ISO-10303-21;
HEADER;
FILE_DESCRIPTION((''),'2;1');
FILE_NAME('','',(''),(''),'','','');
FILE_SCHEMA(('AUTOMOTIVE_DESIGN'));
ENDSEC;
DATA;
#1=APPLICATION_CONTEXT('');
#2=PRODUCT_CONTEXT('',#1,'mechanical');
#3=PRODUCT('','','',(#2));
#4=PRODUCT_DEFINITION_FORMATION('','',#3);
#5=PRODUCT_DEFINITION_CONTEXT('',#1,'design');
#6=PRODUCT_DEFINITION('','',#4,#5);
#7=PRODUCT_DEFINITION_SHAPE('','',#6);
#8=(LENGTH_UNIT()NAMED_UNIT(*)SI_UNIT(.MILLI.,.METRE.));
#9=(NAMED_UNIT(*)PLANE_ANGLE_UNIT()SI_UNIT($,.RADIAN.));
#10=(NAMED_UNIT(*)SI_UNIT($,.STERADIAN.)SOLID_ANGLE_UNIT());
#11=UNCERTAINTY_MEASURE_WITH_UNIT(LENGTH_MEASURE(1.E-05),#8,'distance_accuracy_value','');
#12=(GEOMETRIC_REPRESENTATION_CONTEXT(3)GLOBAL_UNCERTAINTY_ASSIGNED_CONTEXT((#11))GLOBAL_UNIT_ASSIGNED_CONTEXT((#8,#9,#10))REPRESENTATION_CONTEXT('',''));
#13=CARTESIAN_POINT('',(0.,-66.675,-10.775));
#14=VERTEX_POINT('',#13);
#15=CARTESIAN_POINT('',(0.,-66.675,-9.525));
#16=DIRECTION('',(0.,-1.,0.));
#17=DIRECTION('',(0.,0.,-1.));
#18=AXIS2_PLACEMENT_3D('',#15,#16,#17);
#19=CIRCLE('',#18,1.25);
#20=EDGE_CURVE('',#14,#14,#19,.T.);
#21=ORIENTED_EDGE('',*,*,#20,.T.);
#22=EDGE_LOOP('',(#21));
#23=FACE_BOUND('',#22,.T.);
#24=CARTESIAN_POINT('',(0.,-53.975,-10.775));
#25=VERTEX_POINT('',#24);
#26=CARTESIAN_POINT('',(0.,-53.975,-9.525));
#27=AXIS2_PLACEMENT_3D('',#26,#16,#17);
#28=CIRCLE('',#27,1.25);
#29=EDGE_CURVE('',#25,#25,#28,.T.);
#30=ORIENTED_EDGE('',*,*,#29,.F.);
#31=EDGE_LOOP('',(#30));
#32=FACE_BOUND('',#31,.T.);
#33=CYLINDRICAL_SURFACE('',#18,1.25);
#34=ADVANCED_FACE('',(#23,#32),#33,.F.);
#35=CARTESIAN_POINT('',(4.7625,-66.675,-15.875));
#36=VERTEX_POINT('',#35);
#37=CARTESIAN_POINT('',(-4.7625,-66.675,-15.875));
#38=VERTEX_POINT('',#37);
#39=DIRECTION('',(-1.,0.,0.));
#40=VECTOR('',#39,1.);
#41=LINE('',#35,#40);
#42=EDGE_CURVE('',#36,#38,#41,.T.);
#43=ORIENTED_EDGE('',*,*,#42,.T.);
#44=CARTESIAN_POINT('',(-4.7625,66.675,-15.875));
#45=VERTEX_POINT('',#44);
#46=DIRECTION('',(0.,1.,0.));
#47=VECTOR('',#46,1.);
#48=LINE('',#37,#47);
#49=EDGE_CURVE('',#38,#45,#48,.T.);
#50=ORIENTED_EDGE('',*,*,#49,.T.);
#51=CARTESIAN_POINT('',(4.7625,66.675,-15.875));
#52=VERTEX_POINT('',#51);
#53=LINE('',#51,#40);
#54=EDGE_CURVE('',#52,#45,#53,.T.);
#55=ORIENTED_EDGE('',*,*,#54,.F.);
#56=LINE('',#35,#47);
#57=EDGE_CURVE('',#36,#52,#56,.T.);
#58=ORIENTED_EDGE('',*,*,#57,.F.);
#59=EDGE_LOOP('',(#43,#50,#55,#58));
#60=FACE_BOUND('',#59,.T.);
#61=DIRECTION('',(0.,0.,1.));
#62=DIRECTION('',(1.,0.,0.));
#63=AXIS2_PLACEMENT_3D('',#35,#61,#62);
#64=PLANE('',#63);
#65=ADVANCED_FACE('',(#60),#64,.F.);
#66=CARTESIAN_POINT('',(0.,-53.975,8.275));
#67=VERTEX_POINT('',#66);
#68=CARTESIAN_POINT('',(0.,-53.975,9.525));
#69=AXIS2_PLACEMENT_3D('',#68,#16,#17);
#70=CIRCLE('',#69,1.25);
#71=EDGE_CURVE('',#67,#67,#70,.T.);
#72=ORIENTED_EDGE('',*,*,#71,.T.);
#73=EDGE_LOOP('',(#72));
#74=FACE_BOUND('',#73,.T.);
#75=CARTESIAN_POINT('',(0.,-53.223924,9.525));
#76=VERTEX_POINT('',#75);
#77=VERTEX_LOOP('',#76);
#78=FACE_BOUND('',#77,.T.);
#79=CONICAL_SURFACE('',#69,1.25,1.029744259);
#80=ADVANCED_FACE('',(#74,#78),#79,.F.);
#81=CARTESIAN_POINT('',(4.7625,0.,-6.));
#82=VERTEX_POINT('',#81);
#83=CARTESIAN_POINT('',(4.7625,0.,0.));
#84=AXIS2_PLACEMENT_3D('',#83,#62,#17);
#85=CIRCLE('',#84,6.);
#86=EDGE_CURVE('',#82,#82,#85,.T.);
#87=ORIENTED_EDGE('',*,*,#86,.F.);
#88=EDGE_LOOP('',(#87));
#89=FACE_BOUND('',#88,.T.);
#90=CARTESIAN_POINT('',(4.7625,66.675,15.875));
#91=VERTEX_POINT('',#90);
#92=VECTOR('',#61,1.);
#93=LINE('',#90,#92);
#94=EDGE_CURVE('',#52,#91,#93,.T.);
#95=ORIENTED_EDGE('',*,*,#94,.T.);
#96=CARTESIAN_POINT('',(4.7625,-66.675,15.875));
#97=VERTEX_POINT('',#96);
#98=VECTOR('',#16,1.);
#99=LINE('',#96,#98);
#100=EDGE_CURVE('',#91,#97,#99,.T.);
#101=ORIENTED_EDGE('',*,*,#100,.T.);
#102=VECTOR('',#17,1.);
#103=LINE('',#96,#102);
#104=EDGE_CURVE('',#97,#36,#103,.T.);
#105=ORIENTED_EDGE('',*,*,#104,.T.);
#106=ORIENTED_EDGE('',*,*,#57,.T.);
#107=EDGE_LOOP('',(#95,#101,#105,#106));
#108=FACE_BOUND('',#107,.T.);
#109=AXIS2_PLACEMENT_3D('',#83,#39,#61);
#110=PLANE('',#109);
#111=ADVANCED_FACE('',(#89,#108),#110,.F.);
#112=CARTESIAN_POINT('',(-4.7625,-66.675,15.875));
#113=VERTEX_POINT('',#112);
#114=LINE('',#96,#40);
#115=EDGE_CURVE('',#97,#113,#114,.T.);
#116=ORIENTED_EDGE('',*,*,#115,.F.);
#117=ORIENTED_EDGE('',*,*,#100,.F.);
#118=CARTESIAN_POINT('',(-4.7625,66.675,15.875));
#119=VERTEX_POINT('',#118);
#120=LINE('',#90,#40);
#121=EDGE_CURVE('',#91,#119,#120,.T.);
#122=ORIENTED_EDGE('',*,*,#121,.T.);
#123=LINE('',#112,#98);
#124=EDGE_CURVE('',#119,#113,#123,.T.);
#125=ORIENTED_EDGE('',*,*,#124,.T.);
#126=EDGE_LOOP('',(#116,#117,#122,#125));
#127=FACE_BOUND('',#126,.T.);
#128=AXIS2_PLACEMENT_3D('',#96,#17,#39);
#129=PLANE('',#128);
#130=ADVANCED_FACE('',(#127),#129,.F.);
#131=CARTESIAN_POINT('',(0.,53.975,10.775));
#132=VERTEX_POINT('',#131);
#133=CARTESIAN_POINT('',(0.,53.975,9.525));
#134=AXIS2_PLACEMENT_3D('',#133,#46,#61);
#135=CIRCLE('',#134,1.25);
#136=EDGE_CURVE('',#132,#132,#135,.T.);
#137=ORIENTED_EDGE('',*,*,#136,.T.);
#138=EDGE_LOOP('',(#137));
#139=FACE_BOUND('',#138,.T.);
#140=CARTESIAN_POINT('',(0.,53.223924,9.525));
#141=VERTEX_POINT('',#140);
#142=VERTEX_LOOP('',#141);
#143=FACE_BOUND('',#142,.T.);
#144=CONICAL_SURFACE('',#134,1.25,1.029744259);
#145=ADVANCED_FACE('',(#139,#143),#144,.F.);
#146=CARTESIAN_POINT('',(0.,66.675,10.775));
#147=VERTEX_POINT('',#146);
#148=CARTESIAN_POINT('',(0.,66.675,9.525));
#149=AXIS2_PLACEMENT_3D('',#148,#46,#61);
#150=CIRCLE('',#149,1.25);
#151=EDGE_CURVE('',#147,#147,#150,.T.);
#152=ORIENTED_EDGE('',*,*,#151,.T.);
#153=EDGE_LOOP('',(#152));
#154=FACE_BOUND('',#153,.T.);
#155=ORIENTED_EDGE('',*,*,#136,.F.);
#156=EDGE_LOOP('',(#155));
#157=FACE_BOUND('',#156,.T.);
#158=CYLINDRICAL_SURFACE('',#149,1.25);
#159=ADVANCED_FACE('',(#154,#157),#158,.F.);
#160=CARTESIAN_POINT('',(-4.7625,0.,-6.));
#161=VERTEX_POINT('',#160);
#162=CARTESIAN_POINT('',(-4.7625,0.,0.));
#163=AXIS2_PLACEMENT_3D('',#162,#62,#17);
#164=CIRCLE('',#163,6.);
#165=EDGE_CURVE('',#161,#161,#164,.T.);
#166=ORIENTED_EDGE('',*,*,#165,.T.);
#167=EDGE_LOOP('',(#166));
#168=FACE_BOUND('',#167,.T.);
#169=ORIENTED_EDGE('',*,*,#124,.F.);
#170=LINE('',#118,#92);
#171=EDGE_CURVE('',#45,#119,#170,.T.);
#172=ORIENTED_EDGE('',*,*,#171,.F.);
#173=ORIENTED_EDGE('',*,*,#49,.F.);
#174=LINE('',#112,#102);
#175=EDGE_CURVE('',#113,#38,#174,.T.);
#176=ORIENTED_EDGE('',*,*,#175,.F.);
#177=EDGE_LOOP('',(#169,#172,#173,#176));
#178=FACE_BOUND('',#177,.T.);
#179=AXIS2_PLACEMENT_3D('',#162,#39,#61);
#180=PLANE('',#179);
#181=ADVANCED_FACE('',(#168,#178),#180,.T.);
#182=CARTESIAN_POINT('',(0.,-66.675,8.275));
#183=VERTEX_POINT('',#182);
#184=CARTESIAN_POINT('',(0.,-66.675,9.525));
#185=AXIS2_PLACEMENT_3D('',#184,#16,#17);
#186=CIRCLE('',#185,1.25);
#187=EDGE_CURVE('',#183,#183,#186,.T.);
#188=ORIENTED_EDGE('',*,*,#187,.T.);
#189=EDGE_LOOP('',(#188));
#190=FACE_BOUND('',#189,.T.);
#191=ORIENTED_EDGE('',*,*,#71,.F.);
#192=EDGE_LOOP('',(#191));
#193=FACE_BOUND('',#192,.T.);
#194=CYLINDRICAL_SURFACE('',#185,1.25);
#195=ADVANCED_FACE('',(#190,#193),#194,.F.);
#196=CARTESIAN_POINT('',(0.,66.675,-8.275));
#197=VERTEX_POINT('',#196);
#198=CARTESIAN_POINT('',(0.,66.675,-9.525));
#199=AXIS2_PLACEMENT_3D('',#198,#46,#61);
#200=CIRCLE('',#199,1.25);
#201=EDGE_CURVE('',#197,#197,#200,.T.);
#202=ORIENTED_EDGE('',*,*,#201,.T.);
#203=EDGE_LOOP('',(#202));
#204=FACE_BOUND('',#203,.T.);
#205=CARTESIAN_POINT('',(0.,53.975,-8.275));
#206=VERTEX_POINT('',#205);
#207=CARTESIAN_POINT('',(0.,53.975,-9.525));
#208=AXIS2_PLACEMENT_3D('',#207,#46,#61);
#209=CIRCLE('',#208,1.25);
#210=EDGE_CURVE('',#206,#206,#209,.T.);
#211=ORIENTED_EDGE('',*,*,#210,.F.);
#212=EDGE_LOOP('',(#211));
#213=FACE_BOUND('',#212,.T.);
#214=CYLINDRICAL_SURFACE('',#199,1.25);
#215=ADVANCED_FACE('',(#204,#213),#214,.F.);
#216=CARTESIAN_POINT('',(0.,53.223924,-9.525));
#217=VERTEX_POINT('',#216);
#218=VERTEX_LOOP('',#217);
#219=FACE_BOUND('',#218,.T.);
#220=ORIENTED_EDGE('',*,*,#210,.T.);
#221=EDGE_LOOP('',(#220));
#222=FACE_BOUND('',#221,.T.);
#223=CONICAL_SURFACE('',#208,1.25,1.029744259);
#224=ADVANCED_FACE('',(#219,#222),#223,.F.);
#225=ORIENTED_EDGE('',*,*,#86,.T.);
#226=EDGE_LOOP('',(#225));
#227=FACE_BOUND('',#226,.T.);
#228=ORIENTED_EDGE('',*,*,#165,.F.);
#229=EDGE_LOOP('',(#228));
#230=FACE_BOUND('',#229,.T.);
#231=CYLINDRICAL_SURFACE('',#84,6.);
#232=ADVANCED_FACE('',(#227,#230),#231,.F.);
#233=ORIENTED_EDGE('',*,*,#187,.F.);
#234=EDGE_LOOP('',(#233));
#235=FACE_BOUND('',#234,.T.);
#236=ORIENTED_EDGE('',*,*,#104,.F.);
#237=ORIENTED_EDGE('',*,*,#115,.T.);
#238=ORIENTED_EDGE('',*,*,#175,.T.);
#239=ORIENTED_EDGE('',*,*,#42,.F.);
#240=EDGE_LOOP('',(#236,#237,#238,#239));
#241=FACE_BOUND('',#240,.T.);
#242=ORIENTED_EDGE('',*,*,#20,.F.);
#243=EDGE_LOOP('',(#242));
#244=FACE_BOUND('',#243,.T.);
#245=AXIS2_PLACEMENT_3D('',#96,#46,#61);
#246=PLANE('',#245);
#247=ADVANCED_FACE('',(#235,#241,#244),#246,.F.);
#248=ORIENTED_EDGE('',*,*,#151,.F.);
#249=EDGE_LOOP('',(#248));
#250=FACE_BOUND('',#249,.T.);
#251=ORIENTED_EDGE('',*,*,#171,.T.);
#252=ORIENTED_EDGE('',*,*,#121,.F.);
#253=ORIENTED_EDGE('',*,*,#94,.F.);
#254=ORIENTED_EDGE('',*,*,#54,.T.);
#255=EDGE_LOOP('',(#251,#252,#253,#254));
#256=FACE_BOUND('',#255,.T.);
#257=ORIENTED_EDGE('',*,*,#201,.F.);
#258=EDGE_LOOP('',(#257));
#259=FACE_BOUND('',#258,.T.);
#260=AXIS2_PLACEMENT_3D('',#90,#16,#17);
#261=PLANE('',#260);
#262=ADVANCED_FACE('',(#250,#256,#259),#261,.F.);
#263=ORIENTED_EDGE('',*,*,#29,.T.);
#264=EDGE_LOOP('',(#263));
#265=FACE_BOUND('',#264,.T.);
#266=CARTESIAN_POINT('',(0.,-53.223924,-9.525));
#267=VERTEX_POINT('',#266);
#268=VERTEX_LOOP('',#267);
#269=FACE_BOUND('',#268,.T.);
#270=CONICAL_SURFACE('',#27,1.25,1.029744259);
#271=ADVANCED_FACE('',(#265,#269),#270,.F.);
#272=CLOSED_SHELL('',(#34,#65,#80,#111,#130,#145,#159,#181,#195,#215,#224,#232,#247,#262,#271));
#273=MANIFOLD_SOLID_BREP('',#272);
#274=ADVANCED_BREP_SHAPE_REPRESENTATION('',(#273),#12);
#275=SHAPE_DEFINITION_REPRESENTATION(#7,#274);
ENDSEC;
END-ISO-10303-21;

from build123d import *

# Parameters (mm, degrees)
SKETCH1_W                      = 31.75
SKETCH1_H                      = 133.35
BOSS_EXTRUDE1_DEPTH            = 4.7625
M3X0_5_TAPPED_HOLE1_AT_2_COUNT = 2
M3X0_5_TAPPED_HOLE1_AT_2_PITCH = 19.05
F_12_0MM_DOWEL_HOLE1_D         = 12


with BuildPart() as part:
    # Sketch1 → Boss-Extrude1 (new, symmetric)
    with BuildSketch(Plane(origin=(0, 0, 0), x_dir=(0, 0, -1), z_dir=(1, 0, 0))):
        Rectangle(SKETCH1_W, SKETCH1_H)
    extrude(amount=BOSS_EXTRUDE1_DEPTH, both=True)

    # Sketch4 → M3x0.5 Tapped Hole1 (revolve, cut)
    with BuildSketch(Plane(origin=(0, 66.675, -9.525), x_dir=(0, 0, 1), z_dir=(1, 0, 0))):
        Polygon((0, 0), (0, 13.451075774), (1.25, 12.7), (1.25, 0), align=None)
    m3x0_5_tapped_hole1 = revolve(axis=Axis((0, 73.025, -9.525), (0, -1, 0)), mode=Mode.SUBTRACT)

    # M3x0.5 Tapped Hole1 at 2: M3x0.5 Tapped Hole1 ×2
    with Locations(*[(0, 0, i * M3X0_5_TAPPED_HOLE1_AT_2_PITCH) for i in range(1, M3X0_5_TAPPED_HOLE1_AT_2_COUNT)]):
        add(m3x0_5_tapped_hole1, mode=Mode.SUBTRACT)

    # Mirror1: M3x0.5 Tapped Hole1 across plane
    add(m3x0_5_tapped_hole1.mirror(Plane.ZX), mode=Mode.SUBTRACT)

    # Mirror1 copy 1 sketch → Mirror1 copy 1 (revolve, cut)
    with BuildSketch(Plane(origin=(0, -66.675, 9.525), x_dir=(0, 0, 1), z_dir=(1, 0, 0))):
        Polygon((0, 0), (0, -13.451075774), (1.25, -12.7), (1.25, 0), align=None)
    revolve(axis=Axis((0, -73.025, 9.525), (0, -1, 0)), mode=Mode.SUBTRACT)

    # Ø12.0mm Dowel Hole1 (through all)
    with Locations(Plane(origin=(4.7625, 0, 0), x_dir=(0, 0, -1), z_dir=(1, 0, 0))):
        with Locations((0, 0)):
            Hole(F_12_0MM_DOWEL_HOLE1_D / 2)


solid = part.part
